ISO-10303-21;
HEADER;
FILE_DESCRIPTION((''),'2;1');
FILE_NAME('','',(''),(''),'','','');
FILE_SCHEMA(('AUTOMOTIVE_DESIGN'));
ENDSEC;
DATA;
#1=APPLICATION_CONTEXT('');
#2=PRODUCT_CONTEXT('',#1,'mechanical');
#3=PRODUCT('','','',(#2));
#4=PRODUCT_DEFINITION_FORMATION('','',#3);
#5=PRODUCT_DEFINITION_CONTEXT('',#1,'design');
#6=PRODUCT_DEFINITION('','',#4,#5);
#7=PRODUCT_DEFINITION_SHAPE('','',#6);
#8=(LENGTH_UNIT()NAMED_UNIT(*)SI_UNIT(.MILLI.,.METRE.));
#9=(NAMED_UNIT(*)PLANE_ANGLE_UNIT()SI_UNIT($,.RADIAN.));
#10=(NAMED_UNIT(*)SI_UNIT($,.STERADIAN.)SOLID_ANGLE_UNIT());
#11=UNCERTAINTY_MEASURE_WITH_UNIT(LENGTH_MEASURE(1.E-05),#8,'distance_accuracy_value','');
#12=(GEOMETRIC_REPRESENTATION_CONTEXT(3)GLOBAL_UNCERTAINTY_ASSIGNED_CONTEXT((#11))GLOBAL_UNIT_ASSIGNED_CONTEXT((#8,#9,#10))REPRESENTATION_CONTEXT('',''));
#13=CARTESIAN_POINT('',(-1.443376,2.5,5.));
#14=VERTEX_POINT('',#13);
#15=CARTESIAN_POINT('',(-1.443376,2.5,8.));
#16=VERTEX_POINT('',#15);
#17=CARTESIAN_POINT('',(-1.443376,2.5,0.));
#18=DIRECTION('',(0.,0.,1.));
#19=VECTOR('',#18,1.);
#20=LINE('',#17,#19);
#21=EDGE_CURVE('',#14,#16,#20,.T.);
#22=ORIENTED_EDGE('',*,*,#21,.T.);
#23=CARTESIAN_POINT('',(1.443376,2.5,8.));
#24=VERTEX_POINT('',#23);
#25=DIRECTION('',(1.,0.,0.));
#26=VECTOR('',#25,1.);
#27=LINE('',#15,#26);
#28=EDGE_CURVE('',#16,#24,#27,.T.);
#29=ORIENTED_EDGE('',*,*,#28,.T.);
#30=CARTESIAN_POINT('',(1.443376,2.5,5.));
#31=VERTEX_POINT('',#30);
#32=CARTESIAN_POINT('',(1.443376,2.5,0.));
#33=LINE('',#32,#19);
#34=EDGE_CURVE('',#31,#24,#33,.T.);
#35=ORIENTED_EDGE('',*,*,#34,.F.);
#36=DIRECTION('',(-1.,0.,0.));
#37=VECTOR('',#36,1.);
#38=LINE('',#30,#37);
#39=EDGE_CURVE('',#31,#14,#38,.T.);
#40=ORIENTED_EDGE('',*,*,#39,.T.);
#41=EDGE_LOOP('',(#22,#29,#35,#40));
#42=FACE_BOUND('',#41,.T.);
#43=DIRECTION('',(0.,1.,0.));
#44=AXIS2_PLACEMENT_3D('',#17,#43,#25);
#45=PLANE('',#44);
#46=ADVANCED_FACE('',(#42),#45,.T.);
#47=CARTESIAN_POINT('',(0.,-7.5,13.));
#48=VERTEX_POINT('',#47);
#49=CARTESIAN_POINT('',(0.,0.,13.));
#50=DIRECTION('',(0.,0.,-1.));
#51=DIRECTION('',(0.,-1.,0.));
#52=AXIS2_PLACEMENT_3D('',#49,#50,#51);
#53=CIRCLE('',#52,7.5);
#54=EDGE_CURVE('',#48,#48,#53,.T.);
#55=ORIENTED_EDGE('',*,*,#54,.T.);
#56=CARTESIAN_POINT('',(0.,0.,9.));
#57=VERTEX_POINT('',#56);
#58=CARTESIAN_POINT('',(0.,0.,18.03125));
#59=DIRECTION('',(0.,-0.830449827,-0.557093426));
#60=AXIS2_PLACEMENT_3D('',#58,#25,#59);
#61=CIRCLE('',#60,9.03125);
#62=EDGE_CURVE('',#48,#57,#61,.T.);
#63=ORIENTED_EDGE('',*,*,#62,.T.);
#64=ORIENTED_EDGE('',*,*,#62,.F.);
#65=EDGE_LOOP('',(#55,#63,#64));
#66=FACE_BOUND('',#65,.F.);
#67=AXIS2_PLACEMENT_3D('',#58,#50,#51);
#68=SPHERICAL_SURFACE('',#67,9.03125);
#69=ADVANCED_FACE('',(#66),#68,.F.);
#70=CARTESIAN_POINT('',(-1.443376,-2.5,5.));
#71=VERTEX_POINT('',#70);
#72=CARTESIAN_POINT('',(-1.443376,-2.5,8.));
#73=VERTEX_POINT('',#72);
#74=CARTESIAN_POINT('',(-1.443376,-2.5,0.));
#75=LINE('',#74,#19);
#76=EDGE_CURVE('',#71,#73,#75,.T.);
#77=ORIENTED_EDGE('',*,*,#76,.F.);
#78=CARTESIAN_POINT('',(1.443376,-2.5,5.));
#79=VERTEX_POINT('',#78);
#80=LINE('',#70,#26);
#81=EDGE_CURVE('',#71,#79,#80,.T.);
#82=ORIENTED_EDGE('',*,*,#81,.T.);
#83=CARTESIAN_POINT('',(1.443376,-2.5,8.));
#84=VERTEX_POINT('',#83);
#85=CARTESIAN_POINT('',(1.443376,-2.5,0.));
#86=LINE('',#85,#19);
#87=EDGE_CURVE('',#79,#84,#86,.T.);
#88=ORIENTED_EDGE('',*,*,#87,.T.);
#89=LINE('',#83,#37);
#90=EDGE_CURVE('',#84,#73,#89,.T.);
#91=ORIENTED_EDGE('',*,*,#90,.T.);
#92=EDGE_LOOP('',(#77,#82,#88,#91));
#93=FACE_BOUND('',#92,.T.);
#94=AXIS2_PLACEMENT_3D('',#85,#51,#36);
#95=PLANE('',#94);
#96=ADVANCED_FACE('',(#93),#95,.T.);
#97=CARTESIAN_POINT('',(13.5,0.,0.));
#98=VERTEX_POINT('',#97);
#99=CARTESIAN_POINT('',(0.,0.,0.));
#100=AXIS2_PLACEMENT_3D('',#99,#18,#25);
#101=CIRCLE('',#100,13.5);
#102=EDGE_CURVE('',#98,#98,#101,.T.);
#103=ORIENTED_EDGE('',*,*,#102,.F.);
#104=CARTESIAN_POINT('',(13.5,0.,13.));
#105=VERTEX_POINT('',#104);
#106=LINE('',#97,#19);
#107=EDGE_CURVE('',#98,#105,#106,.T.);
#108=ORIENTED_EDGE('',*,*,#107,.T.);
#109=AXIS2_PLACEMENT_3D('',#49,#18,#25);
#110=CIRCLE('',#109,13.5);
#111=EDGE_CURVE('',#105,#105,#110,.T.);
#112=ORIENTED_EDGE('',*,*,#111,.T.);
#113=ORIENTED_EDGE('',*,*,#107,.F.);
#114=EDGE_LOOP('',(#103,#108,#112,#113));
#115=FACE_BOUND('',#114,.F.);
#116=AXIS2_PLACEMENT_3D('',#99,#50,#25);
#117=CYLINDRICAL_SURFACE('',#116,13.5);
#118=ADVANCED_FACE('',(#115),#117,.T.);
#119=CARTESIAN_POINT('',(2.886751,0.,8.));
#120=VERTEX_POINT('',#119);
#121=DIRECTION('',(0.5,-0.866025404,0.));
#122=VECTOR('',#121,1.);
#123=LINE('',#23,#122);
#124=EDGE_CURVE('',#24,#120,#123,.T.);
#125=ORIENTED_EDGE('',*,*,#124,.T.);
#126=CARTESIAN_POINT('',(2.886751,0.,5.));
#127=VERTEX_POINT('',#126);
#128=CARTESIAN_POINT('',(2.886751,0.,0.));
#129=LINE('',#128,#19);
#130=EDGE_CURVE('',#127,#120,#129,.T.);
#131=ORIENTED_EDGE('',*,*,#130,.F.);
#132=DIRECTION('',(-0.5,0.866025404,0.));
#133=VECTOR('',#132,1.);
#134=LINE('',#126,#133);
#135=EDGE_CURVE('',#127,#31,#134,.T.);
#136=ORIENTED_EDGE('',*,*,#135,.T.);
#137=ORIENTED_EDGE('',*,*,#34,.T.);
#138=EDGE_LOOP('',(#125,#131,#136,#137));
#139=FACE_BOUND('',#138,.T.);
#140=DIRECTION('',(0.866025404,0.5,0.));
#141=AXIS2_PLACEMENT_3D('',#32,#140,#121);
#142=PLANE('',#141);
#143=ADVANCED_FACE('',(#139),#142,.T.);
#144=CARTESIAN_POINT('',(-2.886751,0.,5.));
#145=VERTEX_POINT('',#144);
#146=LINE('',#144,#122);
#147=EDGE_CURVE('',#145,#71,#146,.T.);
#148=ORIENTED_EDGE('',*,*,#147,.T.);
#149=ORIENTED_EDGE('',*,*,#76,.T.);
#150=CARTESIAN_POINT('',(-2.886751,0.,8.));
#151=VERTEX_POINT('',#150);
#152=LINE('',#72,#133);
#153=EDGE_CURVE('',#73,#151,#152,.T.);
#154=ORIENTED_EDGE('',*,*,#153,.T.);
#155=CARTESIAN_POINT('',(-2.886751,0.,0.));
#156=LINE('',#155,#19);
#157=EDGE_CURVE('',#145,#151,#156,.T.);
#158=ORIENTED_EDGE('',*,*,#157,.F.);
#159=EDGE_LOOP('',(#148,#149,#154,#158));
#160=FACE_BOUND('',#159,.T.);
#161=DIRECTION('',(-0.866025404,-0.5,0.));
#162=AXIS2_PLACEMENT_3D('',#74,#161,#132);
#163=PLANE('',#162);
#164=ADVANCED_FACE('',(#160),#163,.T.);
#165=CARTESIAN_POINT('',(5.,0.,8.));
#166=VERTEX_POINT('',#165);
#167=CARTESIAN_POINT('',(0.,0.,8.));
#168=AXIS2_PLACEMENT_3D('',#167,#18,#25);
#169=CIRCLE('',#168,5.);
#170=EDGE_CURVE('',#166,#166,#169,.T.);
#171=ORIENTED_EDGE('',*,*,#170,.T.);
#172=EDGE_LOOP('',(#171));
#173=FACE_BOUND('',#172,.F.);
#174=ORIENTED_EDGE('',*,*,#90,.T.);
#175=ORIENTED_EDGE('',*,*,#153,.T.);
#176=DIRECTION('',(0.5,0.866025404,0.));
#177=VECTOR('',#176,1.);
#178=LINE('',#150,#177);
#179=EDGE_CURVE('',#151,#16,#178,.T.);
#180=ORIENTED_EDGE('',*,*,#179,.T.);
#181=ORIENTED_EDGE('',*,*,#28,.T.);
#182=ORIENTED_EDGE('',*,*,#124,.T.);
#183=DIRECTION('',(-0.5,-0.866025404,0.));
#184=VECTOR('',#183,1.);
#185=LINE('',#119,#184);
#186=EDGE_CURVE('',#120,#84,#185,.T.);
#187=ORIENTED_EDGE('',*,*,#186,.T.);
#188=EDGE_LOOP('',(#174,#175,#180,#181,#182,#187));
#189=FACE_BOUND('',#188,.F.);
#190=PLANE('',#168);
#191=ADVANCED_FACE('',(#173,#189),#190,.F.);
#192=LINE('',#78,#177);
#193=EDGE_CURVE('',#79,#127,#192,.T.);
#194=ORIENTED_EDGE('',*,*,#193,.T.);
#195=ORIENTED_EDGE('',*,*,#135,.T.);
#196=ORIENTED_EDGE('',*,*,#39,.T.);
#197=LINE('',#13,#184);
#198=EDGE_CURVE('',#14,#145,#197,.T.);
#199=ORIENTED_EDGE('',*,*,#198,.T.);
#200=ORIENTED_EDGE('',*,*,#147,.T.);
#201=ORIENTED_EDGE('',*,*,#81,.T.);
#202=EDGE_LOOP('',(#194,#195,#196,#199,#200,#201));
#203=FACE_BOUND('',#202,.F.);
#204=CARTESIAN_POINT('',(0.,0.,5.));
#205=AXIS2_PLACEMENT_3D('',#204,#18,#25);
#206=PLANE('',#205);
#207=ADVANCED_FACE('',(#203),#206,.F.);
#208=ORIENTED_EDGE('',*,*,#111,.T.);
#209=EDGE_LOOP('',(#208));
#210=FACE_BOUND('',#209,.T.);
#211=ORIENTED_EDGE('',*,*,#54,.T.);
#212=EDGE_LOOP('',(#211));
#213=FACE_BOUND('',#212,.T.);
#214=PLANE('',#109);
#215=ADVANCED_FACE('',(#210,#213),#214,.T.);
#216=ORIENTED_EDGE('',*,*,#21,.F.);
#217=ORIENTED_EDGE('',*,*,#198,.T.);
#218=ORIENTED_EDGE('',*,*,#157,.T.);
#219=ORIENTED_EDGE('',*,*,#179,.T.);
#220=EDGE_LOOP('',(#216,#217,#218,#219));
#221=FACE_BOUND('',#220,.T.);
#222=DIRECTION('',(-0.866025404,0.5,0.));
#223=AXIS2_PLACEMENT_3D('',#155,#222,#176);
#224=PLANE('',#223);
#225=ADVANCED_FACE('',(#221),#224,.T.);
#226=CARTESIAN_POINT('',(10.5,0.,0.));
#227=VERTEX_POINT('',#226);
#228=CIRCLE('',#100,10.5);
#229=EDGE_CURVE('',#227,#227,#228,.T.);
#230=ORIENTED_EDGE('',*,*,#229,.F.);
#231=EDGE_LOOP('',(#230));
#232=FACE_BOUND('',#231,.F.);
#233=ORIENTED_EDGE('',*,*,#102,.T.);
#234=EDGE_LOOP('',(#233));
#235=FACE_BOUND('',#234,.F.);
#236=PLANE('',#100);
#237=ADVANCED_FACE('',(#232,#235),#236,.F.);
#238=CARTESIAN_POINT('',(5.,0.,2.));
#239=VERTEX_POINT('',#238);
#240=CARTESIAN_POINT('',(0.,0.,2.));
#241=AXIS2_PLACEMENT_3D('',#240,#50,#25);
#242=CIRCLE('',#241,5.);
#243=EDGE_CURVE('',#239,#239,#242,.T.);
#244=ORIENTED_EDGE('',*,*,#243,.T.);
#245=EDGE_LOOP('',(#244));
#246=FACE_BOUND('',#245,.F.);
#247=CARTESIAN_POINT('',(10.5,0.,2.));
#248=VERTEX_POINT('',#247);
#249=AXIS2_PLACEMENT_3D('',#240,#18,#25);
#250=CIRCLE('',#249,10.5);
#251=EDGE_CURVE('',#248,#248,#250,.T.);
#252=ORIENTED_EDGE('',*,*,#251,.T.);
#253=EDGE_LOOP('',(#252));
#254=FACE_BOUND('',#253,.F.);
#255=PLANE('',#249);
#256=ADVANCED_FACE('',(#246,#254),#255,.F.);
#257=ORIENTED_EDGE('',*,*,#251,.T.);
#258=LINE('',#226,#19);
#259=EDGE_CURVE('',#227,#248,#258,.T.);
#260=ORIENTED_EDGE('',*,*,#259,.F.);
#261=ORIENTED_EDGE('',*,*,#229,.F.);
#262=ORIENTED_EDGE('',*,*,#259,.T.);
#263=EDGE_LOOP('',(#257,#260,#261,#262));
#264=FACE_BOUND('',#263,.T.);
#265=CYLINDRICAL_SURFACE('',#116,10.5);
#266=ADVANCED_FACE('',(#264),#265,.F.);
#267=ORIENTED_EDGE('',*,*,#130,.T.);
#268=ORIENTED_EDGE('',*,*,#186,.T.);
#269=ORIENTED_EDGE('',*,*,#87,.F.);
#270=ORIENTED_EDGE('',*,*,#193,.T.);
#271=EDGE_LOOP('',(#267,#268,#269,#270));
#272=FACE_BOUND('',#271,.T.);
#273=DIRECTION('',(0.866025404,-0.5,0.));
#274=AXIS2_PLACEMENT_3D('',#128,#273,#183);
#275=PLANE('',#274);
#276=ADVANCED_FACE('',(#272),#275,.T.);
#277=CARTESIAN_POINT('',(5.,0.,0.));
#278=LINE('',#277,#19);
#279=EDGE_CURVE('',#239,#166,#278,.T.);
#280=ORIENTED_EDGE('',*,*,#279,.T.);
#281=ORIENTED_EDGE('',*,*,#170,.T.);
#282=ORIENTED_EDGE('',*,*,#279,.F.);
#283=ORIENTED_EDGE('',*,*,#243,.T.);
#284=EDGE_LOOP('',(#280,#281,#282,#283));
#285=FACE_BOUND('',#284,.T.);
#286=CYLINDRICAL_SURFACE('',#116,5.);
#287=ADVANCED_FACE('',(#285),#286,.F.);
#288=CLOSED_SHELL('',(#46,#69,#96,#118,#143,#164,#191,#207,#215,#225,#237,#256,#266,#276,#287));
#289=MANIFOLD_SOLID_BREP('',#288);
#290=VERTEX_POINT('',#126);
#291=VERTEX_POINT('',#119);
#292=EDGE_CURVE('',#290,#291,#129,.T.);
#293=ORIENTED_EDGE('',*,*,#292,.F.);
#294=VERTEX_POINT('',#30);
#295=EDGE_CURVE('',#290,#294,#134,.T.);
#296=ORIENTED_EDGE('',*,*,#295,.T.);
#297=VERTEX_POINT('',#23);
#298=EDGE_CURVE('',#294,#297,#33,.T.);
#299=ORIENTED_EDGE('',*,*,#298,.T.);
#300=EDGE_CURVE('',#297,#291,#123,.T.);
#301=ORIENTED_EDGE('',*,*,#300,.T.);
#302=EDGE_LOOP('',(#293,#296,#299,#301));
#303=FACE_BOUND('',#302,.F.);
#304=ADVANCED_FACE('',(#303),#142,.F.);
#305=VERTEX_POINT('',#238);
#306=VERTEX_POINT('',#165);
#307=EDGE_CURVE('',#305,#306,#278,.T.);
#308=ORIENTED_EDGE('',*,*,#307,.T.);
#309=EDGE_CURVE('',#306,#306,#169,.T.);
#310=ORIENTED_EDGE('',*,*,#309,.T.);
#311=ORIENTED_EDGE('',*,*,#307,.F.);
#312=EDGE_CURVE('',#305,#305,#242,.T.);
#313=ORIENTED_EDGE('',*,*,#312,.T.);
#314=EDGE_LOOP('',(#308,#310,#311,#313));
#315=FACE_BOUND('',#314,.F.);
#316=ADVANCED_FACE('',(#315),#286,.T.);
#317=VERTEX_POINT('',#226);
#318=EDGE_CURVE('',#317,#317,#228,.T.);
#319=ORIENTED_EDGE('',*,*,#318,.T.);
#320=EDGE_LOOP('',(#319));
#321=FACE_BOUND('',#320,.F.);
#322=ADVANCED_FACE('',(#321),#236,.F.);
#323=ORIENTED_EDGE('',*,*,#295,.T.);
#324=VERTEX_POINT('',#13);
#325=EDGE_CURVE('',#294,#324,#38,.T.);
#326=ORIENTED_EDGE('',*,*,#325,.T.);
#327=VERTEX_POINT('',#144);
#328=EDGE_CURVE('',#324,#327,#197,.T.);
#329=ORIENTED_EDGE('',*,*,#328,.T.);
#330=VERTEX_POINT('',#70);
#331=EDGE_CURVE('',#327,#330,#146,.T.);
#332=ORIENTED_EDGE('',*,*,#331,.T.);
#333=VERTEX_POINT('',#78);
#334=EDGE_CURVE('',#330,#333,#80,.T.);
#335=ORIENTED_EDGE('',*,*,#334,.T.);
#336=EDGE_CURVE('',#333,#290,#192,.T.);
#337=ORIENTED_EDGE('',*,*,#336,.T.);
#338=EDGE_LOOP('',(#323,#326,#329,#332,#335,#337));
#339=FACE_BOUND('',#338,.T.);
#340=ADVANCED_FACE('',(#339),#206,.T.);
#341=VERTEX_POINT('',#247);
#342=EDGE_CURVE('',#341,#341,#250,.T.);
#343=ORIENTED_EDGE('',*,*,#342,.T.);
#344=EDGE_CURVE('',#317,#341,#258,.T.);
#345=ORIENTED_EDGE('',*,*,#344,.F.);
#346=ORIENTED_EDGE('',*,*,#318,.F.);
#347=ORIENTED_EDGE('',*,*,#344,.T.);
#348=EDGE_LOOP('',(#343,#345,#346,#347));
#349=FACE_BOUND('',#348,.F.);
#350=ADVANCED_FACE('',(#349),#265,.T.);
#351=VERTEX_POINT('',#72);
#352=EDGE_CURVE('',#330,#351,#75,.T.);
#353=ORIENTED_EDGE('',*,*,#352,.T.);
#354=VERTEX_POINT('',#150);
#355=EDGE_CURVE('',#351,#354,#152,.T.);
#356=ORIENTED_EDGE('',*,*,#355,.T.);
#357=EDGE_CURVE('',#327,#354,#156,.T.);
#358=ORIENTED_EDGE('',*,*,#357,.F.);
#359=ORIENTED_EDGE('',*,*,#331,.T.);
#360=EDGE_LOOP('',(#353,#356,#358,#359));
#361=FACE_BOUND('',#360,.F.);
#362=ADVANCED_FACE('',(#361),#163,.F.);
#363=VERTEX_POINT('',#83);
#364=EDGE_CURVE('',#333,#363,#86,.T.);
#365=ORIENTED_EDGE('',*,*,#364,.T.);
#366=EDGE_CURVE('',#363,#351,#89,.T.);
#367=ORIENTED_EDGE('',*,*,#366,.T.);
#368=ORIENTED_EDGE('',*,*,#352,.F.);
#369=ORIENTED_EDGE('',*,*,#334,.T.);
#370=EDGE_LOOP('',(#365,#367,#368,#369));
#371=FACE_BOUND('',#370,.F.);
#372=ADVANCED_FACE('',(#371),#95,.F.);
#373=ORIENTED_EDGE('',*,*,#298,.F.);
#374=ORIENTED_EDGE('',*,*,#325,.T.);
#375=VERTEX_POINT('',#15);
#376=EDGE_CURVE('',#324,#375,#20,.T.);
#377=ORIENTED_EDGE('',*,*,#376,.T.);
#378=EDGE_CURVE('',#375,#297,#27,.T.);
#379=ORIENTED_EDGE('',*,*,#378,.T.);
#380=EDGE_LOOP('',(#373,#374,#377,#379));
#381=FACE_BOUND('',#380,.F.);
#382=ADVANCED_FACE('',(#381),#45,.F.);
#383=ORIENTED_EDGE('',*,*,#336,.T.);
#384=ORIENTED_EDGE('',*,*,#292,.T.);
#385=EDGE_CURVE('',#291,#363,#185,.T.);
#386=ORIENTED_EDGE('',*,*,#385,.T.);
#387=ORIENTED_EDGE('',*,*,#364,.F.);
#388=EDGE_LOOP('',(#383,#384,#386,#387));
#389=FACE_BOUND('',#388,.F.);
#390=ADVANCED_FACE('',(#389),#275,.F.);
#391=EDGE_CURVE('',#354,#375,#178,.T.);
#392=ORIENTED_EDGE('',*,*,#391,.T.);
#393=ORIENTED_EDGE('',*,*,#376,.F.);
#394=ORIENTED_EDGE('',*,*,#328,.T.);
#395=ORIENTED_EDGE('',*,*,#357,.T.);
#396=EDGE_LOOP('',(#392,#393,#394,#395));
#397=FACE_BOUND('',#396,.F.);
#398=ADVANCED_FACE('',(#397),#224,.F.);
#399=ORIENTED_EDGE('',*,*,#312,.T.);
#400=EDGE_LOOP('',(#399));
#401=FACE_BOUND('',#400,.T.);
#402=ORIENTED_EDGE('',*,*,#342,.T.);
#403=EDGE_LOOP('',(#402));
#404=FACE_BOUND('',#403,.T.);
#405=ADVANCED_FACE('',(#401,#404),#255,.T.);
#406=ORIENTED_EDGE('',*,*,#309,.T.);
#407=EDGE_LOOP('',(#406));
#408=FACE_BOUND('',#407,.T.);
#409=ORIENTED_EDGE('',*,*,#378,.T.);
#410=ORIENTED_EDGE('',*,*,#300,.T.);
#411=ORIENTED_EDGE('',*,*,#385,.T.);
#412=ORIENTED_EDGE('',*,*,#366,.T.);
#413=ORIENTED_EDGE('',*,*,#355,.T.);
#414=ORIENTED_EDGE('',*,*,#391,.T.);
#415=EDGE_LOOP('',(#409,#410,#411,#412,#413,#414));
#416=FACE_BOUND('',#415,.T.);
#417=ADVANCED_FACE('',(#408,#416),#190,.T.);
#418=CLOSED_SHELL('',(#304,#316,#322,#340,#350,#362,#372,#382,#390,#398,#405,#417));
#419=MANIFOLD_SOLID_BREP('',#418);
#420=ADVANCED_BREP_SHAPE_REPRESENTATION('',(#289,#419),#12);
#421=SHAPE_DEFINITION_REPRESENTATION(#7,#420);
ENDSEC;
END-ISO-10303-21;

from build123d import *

# Parameters (mm, degrees)
F0_R     = 10.5
F0_R_2   = 5
F1_DEPTH = 2
F2_DEPTH = 8
F3_DEPTH = 5
F4_R     = 13.5
F5_DEPTH = 13


with BuildPart() as f1:
    # F0 (on Top) → F1 (new body)
    with BuildSketch(Plane.XY):
        Circle(F0_R)
        Circle(F0_R_2, mode=Mode.SUBTRACT)
        Circle(F0_R_2)
        Polygon((-2.8867513459, 0), (-1.443375673, 2.5), (1.443375673, 2.5), (2.8867513459, 0), (1.443375673, -2.5), (-1.443375673, -2.5), align=None, mode=Mode.SUBTRACT)
        Polygon((1.443375673, 2.5), (-1.443375673, 2.5), (-2.8867513459, 0), (-1.443375673, -2.5), (1.443375673, -2.5), (2.8867513459, 0), align=None)
    extrude(amount=F1_DEPTH)

    # F0 (on Top) → F2 (join)
    with BuildSketch(Plane.XY):
        Circle(F0_R_2)
        Polygon((-2.8867513459, 0), (-1.443375673, 2.5), (1.443375673, 2.5), (2.8867513459, 0), (1.443375673, -2.5), (-1.443375673, -2.5), align=None, mode=Mode.SUBTRACT)
    extrude(amount=F2_DEPTH)

    # F0 (on Top) → F3 (join)
    with BuildSketch(Plane.XY):
        Polygon((1.443375673, 2.5), (-1.443375673, 2.5), (-2.8867513459, 0), (-1.443375673, -2.5), (1.443375673, -2.5), (2.8867513459, 0), align=None)
    extrude(amount=F3_DEPTH)


with BuildPart() as f5:
    # F4 (on Top) → F5 (new body)
    with BuildSketch(Plane.XY):
        Circle(F4_R)
    extrude(amount=F5_DEPTH)

    # F6: cut F1
    add(f1.part, mode=Mode.SUBTRACT)

    # F7 (on Right) → F8 (revolve, cut)
    with BuildSketch(Plane.YZ):
        with BuildLine():
            Line((0, 9), (0, 13))
            Line((0, 13), (-7.5, 13))
            ThreePointArc((-7.5, 13), (-4.25, 10.0625), (0, 9))
        make_face()
    revolve(axis=Axis((0, 0, 13.9612619239), (0, 0, -1)), mode=Mode.SUBTRACT)


solid = Compound([f1.part, f5.part])
